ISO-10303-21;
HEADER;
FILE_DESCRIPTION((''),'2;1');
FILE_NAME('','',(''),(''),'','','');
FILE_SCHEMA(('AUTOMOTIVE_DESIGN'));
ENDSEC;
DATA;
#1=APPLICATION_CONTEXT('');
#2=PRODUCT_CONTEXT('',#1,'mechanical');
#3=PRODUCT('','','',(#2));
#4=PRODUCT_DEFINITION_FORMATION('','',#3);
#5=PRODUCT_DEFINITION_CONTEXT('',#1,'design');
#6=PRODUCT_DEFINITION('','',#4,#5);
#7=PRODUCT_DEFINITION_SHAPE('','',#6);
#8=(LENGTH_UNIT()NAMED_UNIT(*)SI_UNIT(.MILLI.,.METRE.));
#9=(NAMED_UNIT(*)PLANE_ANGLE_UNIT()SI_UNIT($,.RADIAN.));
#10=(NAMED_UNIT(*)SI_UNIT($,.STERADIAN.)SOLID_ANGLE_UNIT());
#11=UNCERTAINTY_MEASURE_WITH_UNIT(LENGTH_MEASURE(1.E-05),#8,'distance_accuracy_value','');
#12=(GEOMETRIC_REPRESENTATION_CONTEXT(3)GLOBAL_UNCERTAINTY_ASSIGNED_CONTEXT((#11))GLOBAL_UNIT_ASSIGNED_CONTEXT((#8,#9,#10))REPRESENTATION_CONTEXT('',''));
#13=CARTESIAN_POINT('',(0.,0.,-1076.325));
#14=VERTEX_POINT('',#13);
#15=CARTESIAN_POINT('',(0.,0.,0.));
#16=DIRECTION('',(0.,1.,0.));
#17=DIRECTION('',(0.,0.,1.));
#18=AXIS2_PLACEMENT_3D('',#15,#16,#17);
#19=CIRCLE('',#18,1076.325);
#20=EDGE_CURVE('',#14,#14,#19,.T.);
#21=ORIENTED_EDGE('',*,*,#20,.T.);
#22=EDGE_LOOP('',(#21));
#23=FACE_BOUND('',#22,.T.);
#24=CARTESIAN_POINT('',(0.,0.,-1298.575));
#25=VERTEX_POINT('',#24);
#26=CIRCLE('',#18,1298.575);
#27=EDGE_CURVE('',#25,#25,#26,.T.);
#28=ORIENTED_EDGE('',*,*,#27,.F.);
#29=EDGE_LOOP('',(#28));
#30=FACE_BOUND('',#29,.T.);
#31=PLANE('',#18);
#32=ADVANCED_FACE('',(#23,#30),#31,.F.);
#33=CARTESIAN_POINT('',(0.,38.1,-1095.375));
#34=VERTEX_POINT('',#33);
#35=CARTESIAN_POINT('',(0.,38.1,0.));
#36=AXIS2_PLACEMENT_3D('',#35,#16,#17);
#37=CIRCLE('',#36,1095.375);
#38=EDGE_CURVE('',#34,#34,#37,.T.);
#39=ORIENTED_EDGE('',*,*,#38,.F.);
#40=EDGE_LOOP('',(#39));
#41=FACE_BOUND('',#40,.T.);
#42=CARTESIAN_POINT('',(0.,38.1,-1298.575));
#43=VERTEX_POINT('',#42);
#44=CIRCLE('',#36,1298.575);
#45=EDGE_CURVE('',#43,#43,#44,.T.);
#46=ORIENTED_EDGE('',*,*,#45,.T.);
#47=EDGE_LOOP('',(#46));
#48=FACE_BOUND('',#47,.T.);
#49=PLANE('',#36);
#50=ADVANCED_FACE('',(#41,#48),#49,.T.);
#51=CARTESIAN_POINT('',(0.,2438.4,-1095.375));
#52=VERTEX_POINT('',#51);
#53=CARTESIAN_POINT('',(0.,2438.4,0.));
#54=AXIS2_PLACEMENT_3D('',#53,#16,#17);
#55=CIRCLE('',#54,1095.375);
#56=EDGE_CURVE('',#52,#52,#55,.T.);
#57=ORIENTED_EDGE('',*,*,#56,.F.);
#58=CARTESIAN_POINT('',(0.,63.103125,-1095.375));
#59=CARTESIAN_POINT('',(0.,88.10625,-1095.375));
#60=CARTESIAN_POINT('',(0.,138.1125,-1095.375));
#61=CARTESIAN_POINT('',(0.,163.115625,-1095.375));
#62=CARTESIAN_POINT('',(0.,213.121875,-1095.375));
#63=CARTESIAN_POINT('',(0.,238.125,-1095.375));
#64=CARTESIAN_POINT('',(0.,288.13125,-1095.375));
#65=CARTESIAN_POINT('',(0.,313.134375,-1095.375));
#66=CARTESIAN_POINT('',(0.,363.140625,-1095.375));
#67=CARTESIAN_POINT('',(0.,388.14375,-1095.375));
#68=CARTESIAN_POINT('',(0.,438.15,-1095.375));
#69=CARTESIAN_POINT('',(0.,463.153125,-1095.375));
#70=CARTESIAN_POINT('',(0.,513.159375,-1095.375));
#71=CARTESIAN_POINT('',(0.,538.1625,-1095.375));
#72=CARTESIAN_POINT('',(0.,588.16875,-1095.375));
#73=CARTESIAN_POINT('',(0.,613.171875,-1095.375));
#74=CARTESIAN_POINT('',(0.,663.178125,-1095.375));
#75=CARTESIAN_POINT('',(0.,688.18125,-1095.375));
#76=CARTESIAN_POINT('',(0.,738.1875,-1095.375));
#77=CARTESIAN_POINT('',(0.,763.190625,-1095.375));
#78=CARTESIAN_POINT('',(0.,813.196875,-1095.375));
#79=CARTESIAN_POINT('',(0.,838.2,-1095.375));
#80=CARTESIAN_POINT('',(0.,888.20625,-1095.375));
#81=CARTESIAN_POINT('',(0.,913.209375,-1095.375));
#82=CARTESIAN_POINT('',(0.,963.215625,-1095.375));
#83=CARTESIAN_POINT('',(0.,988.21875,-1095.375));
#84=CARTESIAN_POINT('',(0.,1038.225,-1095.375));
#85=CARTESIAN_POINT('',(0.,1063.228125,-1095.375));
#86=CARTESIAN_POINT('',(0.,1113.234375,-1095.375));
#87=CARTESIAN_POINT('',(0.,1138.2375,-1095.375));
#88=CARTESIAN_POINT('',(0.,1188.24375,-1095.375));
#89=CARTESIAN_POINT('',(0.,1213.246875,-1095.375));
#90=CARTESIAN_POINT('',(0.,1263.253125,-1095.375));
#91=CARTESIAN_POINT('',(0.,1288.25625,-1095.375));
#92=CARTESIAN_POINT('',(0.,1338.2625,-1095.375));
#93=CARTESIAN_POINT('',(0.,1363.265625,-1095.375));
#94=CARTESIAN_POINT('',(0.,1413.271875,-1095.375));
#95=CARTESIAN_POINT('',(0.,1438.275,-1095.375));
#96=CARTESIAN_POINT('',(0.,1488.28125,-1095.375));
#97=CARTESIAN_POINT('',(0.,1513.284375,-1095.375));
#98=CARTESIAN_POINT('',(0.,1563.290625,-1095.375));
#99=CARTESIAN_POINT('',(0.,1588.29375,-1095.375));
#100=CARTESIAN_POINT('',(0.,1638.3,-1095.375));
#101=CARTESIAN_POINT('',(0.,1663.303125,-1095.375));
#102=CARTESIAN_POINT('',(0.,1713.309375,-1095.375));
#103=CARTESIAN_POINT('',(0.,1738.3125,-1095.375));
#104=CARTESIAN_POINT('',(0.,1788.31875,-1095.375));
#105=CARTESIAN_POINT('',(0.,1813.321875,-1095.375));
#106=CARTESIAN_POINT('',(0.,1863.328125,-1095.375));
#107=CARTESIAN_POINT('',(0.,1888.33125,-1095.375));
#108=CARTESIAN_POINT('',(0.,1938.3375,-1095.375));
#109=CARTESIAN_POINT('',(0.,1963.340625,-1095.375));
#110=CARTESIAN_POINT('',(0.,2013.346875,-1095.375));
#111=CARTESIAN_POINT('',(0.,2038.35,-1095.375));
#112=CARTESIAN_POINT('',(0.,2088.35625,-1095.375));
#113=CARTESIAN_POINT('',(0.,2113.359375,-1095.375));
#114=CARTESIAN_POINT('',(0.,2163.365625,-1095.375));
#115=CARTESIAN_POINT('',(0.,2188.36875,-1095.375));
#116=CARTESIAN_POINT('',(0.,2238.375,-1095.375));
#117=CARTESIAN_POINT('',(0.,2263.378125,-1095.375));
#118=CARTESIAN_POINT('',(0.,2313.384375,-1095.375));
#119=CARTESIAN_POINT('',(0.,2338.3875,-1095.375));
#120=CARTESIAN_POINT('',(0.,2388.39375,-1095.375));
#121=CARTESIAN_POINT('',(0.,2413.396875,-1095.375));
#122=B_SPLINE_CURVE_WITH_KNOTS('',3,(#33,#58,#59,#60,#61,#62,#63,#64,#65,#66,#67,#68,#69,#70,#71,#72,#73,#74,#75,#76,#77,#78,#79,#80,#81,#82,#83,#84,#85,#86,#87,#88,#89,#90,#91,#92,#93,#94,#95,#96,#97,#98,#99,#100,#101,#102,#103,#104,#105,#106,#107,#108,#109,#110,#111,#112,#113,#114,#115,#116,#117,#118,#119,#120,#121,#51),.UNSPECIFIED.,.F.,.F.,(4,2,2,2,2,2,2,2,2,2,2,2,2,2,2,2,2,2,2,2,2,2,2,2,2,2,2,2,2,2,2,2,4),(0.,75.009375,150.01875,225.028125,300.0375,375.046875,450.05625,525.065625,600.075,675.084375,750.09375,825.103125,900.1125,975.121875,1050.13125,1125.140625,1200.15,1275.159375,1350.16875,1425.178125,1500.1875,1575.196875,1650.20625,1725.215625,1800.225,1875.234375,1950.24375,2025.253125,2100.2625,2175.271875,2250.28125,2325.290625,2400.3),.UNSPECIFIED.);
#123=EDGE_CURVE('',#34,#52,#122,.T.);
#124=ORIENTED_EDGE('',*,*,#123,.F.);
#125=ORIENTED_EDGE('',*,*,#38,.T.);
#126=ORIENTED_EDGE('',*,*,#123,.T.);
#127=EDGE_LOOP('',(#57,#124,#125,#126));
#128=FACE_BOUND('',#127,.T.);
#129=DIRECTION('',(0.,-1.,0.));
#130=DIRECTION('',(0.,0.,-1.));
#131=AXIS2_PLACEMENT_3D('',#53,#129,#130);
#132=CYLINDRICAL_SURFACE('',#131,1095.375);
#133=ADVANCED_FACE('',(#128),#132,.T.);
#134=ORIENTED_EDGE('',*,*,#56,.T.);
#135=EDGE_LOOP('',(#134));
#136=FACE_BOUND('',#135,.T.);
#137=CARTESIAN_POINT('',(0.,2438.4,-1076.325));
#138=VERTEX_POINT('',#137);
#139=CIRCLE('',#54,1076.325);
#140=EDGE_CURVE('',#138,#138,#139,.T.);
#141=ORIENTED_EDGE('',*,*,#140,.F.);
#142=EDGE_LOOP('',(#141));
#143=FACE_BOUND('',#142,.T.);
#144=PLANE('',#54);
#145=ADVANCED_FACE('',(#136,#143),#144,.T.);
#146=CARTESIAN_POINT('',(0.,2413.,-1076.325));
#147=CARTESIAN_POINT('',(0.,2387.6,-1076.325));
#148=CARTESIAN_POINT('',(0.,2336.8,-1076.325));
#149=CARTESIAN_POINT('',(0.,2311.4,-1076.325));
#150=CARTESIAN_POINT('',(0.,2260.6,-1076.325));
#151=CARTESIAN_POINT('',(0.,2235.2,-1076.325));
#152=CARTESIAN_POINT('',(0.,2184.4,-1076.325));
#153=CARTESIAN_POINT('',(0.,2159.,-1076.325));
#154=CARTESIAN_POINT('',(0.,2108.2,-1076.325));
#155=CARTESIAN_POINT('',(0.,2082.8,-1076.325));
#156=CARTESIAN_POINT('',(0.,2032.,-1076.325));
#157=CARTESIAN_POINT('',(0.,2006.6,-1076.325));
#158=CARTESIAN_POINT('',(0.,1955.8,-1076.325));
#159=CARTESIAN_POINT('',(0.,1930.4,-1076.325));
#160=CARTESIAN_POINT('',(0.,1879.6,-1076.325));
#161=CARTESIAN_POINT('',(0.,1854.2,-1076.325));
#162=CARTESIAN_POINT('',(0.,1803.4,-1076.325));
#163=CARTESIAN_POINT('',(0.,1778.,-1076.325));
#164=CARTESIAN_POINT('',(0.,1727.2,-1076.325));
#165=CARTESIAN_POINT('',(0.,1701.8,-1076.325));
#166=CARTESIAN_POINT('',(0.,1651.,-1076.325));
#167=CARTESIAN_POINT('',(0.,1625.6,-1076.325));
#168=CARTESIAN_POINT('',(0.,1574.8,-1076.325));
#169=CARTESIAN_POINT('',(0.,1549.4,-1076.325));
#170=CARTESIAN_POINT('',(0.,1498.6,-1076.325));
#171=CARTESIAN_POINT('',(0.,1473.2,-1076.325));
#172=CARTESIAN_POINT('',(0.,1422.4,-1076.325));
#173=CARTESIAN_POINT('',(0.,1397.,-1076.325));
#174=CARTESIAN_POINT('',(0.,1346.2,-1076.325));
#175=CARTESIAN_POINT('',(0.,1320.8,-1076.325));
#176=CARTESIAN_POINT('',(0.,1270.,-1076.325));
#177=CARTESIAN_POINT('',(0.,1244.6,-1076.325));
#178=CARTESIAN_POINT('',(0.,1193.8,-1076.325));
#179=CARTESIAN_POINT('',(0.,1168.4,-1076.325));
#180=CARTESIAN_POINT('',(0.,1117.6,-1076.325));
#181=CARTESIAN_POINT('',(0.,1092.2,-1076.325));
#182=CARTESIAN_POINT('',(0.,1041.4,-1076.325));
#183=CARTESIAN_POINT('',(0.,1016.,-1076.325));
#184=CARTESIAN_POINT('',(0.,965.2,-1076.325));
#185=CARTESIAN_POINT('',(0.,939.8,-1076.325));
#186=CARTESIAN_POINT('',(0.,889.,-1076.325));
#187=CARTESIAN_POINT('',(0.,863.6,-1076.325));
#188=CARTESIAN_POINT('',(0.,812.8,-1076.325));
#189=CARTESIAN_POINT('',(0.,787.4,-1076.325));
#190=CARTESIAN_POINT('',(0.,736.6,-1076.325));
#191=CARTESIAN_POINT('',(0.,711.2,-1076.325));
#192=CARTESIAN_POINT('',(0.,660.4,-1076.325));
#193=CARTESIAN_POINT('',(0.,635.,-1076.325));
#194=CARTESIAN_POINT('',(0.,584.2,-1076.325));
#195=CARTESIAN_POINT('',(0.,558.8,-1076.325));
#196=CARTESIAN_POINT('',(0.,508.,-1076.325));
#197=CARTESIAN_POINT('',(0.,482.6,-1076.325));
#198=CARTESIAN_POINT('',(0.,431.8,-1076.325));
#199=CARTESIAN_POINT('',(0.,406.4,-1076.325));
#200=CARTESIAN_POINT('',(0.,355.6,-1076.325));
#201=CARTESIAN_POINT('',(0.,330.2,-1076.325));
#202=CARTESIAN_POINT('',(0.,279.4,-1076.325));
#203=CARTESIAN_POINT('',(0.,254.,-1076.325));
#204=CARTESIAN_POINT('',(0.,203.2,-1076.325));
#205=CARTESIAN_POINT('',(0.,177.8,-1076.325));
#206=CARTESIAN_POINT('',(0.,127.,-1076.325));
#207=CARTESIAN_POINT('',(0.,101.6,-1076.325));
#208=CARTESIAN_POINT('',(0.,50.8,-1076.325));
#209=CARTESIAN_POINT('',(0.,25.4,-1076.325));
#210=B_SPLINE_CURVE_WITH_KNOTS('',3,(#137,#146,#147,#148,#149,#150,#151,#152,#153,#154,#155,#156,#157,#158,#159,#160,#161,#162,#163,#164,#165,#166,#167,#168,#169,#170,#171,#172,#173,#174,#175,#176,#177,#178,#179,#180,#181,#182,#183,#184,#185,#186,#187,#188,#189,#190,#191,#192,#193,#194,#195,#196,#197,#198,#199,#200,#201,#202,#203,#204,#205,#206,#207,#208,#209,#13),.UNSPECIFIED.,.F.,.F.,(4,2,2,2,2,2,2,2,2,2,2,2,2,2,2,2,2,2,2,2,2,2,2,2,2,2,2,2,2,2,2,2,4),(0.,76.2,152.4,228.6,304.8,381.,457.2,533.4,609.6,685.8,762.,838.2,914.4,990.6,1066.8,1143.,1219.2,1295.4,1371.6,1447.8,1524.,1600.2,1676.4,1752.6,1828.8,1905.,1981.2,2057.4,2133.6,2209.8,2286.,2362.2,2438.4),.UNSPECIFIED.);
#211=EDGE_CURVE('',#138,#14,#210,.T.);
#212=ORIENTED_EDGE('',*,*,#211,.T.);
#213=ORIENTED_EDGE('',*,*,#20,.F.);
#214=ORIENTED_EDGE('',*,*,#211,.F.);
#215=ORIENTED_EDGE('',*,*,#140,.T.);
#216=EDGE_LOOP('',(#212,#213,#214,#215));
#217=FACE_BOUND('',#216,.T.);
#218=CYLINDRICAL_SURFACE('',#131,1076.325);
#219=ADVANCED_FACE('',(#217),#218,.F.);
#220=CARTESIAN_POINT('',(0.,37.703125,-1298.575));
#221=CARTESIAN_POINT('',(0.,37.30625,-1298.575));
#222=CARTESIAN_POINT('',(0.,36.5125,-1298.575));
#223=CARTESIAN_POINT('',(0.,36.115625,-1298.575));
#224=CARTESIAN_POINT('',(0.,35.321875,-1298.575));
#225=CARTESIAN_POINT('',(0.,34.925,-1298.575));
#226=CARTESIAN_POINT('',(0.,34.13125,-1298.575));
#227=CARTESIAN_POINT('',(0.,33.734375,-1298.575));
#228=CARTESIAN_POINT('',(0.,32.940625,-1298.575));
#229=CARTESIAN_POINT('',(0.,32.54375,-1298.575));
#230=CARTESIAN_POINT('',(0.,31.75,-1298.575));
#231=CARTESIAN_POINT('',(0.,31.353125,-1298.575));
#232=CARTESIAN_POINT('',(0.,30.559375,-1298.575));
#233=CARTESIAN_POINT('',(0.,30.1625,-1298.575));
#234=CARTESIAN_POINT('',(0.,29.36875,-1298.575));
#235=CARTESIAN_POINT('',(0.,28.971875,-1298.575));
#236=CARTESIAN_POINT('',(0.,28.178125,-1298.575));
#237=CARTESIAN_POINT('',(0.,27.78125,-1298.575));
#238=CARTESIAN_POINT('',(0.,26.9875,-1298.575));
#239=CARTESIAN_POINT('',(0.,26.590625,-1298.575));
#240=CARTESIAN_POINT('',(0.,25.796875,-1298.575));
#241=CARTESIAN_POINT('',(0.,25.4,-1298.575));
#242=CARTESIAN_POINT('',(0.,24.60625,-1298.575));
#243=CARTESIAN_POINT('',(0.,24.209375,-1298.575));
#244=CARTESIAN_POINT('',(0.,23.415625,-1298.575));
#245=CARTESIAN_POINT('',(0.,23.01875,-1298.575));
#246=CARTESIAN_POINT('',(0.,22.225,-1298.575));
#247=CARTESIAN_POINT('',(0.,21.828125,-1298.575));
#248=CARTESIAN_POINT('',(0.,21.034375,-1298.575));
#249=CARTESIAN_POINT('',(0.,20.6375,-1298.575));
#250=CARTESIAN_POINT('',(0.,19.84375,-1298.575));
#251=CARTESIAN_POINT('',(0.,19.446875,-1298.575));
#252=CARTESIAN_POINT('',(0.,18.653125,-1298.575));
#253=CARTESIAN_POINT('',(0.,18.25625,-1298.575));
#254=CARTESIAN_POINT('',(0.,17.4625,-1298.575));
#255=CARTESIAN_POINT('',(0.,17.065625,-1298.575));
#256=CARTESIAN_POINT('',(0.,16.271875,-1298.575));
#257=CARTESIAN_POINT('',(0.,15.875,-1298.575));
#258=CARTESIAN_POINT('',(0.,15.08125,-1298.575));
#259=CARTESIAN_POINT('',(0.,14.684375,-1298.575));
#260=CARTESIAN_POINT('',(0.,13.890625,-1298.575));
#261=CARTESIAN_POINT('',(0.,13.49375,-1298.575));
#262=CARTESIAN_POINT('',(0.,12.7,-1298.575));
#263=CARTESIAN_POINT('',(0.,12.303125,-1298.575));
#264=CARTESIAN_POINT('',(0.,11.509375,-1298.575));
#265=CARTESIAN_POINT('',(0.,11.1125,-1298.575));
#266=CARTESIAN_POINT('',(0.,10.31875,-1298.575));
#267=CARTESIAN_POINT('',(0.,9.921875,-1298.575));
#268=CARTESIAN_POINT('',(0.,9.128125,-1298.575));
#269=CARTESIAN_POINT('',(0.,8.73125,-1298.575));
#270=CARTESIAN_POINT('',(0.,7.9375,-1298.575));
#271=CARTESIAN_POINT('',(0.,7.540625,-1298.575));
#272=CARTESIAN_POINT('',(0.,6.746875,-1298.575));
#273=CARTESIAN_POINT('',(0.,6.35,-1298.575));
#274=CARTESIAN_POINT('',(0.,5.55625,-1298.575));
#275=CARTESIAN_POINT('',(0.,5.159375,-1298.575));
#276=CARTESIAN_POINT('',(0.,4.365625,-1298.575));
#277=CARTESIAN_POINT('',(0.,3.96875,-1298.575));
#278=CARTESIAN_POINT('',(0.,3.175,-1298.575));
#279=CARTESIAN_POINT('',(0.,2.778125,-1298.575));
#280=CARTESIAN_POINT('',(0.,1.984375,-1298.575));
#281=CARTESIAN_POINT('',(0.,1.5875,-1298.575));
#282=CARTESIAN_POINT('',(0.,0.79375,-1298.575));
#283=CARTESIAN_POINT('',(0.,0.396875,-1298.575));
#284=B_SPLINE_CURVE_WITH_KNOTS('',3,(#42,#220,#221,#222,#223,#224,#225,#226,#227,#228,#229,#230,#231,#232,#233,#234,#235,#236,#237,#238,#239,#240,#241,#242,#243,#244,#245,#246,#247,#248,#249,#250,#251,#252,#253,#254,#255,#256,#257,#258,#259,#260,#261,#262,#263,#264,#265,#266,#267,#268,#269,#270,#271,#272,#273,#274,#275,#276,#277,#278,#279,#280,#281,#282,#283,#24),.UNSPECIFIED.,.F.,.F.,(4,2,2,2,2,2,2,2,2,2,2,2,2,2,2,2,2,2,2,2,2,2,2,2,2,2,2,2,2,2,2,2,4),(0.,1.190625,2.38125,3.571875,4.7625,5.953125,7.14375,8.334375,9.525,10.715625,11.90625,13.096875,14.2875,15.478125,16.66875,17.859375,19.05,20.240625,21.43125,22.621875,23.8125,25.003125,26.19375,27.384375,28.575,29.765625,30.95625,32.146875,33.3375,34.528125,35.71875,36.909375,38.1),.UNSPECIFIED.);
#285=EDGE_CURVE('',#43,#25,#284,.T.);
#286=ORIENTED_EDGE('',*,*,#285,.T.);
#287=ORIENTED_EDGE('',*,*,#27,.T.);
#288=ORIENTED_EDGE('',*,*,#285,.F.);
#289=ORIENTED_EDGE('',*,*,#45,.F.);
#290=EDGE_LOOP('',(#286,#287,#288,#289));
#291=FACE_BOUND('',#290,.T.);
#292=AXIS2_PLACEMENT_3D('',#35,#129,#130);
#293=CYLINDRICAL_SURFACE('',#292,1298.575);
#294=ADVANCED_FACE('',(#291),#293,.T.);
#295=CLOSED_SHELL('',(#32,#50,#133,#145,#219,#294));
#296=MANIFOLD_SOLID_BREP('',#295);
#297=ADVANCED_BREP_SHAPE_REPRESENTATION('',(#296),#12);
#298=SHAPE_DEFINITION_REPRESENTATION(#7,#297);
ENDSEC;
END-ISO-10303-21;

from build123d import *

# Parameters (mm, degrees)
SKETCH1_R           = 1095.375
SKETCH1_R_2         = 1076.325
BOSS_EXTRUDE1_DEPTH = 2438.4
SKETCH2_R           = 1298.575
SKETCH2_R_2         = 1076.325
BOSS_EXTRUDE2_DEPTH = 38.1


with BuildPart() as part:
    # Sketch1 → Boss-Extrude1 (new body)
    with BuildSketch(Plane(origin=(0, 0, 0), x_dir=(1, 0, 0), z_dir=(0, 1, 0))):
        with Locations(Location((0, 0, 0), (0, 0, 90))):
            Circle(SKETCH1_R)
        with Locations(Location((0, 0, 0), (0, 0, 90))):
            Circle(SKETCH1_R_2, mode=Mode.SUBTRACT)
    extrude(amount=BOSS_EXTRUDE1_DEPTH)

    # Sketch2 → Boss-Extrude2 (add)
    with BuildSketch(Plane(origin=(0, 0, 0), x_dir=(1, 0, 0), z_dir=(0, 1, 0))):
        with Locations(Location((0, 0, 0), (0, 0, 90))):
            Circle(SKETCH2_R)
        with Locations(Location((0, 0, 0), (0, 0, 90))):
            Circle(SKETCH2_R_2, mode=Mode.SUBTRACT)
    extrude(amount=BOSS_EXTRUDE2_DEPTH)


solid = part.part
